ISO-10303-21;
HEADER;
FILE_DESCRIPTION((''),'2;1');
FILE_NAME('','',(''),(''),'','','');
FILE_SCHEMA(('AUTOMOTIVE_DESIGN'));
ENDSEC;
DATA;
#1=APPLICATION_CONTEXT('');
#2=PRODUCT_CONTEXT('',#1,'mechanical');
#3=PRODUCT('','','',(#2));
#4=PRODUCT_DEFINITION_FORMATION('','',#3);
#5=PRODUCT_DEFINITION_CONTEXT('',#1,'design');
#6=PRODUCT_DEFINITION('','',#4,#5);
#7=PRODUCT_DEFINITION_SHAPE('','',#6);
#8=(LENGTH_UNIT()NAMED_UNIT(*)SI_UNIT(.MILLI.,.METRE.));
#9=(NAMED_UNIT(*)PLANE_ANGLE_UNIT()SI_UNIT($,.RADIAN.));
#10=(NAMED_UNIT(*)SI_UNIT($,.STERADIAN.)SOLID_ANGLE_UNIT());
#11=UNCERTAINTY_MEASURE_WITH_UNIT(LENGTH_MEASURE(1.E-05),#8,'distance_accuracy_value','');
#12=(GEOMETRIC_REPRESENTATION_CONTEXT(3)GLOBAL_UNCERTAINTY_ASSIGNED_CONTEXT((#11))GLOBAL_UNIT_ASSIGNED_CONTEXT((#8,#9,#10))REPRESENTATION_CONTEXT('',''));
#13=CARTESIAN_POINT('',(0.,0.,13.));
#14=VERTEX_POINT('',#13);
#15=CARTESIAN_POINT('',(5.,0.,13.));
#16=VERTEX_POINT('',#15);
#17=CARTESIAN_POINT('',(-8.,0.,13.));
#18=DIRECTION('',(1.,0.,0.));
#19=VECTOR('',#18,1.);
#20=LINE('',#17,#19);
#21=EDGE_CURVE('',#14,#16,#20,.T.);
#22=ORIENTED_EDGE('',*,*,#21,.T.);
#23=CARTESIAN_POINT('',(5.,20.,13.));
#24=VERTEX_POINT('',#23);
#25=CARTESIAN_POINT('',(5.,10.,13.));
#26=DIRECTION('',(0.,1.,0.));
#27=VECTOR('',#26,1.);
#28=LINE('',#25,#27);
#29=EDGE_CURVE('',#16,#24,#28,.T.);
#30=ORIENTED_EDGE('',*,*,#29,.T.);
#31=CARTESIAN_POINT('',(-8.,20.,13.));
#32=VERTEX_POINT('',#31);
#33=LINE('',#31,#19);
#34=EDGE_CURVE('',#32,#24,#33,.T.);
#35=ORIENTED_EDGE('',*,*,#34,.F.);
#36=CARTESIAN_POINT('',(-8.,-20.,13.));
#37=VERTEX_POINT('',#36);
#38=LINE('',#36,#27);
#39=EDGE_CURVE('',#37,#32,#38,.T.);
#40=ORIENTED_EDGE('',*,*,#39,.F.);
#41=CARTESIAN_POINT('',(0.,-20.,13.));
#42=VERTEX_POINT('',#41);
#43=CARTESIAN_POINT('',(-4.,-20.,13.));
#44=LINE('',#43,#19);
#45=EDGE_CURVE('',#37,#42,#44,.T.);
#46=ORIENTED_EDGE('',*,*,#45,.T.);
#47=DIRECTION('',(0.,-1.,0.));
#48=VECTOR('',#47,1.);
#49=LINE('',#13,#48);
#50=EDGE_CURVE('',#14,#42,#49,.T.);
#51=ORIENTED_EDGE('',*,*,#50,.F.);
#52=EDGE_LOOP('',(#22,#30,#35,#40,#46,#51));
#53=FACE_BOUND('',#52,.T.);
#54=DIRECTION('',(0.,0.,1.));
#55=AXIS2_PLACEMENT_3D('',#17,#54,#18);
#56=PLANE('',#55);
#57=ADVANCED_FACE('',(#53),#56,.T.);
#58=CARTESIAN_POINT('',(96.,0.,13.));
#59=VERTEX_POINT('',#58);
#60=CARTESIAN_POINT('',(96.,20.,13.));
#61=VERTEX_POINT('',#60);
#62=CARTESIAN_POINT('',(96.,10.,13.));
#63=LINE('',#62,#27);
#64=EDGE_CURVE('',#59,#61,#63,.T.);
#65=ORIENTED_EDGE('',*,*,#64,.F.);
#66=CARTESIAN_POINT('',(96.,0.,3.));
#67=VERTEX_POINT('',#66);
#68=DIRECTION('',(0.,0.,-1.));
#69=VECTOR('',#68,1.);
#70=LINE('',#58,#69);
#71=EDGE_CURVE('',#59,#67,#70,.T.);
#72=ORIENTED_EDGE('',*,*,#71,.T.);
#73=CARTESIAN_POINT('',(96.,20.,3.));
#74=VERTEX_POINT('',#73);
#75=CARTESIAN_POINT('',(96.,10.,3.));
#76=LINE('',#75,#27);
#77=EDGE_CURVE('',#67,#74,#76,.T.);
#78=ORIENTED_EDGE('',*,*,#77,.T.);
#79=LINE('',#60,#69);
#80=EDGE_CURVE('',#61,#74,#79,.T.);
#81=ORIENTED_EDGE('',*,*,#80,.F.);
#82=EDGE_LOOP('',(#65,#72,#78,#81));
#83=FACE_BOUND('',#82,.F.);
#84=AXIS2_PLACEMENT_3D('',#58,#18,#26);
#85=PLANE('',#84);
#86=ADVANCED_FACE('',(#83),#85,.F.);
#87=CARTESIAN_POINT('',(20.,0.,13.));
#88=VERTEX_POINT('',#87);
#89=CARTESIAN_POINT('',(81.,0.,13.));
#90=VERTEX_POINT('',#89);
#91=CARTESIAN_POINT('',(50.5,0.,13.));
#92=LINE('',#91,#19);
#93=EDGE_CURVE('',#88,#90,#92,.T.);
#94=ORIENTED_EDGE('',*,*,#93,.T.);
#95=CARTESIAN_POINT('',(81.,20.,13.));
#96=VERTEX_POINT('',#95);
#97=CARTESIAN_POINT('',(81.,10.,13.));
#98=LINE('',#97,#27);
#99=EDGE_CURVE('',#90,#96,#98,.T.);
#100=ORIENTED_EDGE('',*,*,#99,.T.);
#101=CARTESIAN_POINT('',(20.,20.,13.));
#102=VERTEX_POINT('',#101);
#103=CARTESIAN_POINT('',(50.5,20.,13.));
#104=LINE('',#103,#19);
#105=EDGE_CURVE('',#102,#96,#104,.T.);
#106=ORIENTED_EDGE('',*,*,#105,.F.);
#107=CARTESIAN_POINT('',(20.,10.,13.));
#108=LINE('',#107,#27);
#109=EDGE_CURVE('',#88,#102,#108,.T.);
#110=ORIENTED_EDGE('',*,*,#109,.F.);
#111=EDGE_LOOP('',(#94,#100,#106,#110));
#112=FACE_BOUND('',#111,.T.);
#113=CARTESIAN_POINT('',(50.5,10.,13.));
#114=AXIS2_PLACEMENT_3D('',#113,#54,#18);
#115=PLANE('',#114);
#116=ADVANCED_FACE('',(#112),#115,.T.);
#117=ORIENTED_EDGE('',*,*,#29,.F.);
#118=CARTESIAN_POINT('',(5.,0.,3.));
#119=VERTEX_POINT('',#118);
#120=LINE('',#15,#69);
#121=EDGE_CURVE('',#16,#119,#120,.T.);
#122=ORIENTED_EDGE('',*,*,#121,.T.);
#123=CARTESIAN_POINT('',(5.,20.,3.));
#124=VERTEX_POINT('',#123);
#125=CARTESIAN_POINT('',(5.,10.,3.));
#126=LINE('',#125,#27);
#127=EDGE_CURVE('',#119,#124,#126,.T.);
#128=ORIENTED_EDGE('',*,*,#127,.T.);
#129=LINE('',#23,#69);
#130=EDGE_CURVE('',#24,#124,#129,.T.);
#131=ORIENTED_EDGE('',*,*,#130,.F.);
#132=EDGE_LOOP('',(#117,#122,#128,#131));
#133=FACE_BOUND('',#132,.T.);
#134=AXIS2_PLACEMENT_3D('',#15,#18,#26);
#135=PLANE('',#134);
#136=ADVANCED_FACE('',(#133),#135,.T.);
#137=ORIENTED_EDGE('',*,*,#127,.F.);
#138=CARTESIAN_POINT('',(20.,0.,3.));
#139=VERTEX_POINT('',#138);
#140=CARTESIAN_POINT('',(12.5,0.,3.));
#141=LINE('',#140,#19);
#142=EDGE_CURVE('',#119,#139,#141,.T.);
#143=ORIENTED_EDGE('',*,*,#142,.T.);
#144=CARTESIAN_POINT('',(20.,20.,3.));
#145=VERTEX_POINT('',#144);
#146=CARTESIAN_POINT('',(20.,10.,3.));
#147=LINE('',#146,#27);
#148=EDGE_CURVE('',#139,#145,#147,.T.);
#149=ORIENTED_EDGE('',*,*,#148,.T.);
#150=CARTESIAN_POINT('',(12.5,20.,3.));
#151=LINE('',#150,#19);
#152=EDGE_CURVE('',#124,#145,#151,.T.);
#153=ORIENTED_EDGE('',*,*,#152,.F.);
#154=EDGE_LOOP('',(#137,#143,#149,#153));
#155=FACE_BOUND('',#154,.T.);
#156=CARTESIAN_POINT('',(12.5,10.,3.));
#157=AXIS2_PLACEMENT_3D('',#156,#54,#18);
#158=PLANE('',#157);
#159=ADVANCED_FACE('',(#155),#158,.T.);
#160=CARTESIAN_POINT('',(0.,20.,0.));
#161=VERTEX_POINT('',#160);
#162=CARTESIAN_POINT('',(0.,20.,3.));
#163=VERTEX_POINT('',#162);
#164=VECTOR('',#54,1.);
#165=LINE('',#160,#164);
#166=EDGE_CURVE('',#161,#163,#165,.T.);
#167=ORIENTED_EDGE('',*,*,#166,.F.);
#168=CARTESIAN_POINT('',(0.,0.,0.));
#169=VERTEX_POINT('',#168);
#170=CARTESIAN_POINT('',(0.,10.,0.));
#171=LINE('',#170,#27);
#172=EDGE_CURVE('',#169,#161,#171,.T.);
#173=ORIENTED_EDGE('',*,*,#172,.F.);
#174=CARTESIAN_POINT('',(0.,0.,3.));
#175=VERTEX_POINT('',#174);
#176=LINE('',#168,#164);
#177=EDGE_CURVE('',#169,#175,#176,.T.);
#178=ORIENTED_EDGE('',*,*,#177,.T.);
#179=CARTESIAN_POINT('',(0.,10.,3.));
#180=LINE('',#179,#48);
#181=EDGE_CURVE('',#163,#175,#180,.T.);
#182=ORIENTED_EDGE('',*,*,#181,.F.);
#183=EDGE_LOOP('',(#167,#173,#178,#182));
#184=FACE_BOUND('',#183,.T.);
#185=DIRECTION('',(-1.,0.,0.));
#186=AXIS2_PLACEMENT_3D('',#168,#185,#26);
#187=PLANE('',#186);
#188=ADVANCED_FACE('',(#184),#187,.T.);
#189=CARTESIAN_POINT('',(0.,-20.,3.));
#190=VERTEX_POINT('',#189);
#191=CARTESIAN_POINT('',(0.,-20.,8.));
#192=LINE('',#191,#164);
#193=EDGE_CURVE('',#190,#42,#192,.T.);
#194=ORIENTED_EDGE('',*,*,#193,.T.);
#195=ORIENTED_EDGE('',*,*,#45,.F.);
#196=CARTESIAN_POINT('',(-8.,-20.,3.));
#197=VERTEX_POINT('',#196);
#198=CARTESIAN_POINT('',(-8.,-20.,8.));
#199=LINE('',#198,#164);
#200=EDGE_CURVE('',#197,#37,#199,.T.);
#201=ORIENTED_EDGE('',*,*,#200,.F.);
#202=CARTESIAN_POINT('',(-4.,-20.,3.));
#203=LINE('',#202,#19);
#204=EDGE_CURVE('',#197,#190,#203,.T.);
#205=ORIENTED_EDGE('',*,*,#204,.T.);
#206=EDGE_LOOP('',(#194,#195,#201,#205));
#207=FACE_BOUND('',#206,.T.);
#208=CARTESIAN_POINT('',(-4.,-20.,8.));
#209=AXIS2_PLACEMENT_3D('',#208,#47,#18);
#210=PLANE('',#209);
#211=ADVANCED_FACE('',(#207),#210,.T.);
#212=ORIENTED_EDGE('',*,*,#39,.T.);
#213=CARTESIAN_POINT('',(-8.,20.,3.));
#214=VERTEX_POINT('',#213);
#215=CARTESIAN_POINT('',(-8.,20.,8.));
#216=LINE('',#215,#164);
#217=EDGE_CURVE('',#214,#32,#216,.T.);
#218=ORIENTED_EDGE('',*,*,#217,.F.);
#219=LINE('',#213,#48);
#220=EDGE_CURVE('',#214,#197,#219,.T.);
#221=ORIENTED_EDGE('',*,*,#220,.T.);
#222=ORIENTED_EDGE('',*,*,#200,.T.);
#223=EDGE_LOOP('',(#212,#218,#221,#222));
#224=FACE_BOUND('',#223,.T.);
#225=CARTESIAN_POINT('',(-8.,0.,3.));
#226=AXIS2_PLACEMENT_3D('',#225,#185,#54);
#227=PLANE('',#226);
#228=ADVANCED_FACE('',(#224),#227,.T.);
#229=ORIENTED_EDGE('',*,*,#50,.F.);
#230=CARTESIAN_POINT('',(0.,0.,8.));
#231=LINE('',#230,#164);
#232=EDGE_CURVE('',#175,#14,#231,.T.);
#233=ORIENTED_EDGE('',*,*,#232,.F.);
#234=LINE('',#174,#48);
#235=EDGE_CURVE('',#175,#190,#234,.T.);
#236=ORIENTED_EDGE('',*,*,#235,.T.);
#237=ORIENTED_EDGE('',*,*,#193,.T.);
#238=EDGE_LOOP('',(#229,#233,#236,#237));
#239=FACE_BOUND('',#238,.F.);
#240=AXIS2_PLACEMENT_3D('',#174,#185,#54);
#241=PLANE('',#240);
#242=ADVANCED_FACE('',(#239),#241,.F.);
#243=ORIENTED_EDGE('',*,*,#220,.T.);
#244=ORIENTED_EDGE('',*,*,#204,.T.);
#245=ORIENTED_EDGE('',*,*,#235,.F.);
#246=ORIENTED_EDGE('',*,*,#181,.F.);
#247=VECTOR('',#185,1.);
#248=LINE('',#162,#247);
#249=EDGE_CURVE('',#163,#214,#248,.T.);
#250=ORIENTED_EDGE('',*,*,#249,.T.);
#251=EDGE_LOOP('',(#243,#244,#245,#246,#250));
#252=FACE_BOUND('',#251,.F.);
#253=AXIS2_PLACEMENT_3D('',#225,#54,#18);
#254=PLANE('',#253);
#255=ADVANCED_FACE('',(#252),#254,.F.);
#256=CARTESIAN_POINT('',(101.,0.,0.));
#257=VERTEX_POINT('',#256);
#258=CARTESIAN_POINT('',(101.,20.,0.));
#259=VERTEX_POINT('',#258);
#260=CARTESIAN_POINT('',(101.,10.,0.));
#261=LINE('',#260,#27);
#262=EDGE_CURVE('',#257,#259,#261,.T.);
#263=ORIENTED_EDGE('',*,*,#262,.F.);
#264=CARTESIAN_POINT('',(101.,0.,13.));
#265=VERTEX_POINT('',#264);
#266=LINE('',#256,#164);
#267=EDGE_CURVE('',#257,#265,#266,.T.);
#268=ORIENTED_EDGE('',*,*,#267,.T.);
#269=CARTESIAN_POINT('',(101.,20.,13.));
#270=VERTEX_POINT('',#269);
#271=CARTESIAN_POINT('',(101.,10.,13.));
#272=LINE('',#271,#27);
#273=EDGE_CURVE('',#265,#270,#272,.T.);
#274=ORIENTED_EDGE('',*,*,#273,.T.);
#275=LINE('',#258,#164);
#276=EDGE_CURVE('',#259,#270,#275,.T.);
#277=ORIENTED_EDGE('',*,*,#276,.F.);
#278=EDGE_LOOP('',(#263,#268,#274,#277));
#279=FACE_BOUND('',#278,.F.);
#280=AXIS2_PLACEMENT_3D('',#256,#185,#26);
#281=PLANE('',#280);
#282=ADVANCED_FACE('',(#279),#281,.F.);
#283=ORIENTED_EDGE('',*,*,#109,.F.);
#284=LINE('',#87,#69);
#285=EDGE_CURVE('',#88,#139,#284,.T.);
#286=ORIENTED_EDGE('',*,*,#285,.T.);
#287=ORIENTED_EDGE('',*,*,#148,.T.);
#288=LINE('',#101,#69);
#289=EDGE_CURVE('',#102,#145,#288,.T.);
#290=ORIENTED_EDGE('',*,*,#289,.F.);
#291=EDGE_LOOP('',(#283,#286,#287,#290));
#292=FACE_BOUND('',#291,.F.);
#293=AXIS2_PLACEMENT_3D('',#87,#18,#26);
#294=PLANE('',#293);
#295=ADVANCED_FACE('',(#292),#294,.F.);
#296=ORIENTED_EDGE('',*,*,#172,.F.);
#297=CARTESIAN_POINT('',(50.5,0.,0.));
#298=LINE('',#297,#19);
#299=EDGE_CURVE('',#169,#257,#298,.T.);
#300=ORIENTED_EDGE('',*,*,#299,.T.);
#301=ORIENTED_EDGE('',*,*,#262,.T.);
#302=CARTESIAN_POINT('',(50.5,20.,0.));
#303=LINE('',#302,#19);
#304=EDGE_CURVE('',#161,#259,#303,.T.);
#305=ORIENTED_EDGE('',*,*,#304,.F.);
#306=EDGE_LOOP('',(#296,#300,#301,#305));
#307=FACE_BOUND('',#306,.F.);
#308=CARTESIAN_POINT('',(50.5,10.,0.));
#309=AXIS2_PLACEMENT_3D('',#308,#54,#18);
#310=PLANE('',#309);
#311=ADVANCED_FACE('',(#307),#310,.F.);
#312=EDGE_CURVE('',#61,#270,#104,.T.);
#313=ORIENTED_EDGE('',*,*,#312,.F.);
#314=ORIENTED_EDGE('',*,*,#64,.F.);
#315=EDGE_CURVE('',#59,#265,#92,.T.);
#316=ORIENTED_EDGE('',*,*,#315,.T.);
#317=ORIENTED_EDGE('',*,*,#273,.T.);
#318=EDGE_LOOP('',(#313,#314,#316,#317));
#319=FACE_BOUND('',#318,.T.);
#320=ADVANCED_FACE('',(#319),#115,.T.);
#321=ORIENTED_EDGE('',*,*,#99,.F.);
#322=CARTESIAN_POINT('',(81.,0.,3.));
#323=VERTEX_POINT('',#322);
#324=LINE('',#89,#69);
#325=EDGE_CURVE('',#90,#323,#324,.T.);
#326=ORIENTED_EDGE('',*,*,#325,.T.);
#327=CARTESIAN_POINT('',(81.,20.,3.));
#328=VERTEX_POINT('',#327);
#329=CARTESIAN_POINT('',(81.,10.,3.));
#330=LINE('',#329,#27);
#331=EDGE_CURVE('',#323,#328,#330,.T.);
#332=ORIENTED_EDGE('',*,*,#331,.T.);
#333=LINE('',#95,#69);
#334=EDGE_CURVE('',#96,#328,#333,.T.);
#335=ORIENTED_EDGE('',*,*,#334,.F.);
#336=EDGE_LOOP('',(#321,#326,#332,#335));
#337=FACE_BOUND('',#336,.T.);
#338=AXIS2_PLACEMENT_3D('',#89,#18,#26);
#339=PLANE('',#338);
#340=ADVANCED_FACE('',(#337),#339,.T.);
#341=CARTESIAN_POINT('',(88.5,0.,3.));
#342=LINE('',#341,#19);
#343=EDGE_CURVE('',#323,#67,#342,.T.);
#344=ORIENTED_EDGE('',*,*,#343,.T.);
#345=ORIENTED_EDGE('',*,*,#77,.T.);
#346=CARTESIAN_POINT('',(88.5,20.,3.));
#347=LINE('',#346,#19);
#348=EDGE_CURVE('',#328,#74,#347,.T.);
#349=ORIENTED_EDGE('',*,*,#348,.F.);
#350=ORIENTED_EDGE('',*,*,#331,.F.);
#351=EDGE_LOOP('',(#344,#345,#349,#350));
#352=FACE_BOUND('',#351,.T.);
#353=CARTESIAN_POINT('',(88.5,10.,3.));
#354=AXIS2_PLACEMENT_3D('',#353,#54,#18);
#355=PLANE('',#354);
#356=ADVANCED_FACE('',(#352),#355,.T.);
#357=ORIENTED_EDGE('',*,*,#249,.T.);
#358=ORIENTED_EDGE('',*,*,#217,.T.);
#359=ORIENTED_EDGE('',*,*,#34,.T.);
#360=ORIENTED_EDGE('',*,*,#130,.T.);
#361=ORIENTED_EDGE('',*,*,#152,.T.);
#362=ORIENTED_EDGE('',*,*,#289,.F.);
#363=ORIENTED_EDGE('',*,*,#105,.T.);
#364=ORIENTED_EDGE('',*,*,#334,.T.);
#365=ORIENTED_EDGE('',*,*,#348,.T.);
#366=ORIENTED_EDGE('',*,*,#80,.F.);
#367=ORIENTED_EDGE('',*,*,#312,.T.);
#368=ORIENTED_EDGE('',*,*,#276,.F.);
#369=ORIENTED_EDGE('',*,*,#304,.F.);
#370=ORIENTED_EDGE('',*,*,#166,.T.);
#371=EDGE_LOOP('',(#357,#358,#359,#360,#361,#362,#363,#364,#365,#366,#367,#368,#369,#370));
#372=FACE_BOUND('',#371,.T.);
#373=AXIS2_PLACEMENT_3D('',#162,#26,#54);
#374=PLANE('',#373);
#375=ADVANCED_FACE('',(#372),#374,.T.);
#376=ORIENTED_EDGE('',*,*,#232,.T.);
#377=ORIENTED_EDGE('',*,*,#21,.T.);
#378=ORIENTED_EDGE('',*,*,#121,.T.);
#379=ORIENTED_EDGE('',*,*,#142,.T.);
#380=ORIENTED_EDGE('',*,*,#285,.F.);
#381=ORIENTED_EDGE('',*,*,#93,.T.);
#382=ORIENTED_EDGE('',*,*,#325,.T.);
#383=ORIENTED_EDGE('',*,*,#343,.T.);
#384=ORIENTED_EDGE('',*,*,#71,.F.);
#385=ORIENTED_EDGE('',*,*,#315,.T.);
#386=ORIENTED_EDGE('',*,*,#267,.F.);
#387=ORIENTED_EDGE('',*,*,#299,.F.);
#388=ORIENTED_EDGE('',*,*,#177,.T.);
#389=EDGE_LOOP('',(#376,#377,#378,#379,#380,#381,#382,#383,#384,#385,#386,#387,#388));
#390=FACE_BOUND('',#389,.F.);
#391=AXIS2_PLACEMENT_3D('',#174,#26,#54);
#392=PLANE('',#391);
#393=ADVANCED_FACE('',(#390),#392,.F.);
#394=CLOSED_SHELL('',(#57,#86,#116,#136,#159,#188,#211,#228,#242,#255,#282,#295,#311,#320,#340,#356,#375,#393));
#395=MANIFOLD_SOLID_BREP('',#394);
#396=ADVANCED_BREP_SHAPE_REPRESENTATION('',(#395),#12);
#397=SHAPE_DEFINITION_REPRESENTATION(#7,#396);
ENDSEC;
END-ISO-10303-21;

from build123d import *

# Parameters (mm, degrees)
SKETCH_W     = 101
SKETCH_H     = 20
PAD_DEPTH    = 13
SKETCH001_W  = 15
SKETCH001_H  = 20
POCKET_DEPTH = 10
SKETCH002_W  = 20
SKETCH002_H  = 10
PAD001_DEPTH = 8
SKETCH003_W  = 8
SKETCH003_H  = 10
PAD002_DEPTH = 20


with BuildPart() as part:
    # Sketch → Pad (new body)
    with BuildSketch(Plane.XY):
        with Locations((50.5, 10)):
            Rectangle(SKETCH_W, SKETCH_H)
    extrude(amount=PAD_DEPTH)

    # Sketch001 (on Face6 of Pad) → Pocket (cut)
    with BuildSketch(Plane.XY.offset(13)):
        with Locations((12.5, 10)):
            Rectangle(SKETCH001_W, SKETCH001_H)
        with Locations((88.5, 10)):
            Rectangle(SKETCH001_W, SKETCH001_H)
    extrude(amount=-POCKET_DEPTH, mode=Mode.SUBTRACT)

    # Sketch002 (on Face13 of Pocket) → Pad001 (join)
    with BuildSketch(Plane(origin=(0, 0, 0), x_dir=(0, -1, 0), z_dir=(-1, 0, 0))):
        with Locations((-10, 8)):
            Rectangle(SKETCH002_W, SKETCH002_H)
    extrude(amount=PAD001_DEPTH)

    # Sketch003 (on Face14 of Pad001) → Pad002 (join)
    with BuildSketch(Plane.XZ):
        with Locations((-4, 8)):
            Rectangle(SKETCH003_W, SKETCH003_H)
    extrude(amount=PAD002_DEPTH)


solid = part.part
